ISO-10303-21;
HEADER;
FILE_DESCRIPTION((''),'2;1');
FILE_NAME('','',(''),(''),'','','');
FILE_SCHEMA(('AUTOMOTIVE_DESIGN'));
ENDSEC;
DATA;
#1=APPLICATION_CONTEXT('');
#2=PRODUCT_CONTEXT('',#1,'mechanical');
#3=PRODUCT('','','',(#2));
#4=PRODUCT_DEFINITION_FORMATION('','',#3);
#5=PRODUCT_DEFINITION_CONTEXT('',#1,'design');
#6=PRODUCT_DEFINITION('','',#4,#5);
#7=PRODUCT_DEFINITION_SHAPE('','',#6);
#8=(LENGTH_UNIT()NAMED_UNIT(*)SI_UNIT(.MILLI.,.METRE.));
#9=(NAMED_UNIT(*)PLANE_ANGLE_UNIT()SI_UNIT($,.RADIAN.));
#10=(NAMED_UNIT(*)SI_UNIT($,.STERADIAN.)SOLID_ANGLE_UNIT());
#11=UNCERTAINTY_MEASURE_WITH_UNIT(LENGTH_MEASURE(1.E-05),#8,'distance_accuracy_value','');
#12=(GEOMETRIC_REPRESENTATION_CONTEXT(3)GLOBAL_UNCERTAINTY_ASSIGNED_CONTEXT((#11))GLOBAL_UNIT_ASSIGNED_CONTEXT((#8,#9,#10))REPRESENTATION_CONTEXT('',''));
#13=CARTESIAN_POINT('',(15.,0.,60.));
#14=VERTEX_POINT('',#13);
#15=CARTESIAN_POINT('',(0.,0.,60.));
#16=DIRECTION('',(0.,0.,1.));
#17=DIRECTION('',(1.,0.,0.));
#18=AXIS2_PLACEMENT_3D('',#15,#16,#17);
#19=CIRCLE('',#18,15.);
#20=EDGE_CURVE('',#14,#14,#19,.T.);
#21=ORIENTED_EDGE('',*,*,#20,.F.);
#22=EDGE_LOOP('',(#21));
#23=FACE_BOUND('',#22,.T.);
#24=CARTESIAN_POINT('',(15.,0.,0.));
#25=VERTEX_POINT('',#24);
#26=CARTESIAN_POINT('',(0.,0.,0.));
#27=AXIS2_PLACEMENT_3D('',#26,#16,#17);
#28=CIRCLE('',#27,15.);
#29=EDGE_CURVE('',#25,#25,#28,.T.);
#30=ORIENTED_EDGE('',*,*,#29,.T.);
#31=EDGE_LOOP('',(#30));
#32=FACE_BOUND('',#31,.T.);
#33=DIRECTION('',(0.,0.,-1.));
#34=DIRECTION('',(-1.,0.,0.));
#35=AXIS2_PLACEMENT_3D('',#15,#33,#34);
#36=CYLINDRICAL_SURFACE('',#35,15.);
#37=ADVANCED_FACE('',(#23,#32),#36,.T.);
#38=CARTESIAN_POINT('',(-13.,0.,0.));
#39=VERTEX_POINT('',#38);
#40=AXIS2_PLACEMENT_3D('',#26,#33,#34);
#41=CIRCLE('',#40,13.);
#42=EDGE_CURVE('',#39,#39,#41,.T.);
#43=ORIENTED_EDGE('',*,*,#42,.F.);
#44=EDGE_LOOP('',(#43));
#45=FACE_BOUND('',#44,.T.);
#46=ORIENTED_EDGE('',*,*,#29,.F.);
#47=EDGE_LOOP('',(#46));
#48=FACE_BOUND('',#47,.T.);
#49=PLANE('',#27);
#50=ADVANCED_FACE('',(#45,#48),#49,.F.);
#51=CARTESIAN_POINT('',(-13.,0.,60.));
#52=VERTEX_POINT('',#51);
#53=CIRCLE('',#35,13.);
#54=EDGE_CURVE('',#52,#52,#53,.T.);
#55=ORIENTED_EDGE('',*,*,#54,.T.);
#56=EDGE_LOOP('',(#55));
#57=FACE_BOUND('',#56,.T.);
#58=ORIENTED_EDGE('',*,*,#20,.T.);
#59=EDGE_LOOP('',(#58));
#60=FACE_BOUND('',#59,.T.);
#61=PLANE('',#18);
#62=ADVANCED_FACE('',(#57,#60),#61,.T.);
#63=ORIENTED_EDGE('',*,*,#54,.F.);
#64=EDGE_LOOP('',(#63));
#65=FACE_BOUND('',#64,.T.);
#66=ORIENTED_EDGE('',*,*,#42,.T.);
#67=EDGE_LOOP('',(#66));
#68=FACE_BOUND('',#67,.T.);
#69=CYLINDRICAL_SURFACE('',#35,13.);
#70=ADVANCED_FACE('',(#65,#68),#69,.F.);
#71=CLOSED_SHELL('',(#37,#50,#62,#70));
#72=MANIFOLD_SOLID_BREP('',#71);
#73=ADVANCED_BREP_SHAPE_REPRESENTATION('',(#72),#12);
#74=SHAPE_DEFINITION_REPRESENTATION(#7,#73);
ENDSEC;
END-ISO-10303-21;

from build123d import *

# Parameters (mm, degrees)
SKETCH_1_R          = 15
EXTRUDE_1_DEPTH     = 60
SKETCH_4_R          = 13
CUT_EXTRUDE_1_DEPTH = 64.639610307


with BuildPart() as part:
    # 草图1 → 凸台-拉伸1 (new body)
    with BuildSketch(Plane.XY):
        Circle(SKETCH_1_R)
    extrude(amount=EXTRUDE_1_DEPTH)

    # 草图4 → 切除-拉伸1 (cut, through all)
    with BuildSketch(Plane(origin=(0, 0, 0), x_dir=(-1, 0, 0), z_dir=(0, 0, -1))):
        Circle(SKETCH_4_R)
    extrude(amount=-CUT_EXTRUDE_1_DEPTH, mode=Mode.SUBTRACT)


solid = part.part
